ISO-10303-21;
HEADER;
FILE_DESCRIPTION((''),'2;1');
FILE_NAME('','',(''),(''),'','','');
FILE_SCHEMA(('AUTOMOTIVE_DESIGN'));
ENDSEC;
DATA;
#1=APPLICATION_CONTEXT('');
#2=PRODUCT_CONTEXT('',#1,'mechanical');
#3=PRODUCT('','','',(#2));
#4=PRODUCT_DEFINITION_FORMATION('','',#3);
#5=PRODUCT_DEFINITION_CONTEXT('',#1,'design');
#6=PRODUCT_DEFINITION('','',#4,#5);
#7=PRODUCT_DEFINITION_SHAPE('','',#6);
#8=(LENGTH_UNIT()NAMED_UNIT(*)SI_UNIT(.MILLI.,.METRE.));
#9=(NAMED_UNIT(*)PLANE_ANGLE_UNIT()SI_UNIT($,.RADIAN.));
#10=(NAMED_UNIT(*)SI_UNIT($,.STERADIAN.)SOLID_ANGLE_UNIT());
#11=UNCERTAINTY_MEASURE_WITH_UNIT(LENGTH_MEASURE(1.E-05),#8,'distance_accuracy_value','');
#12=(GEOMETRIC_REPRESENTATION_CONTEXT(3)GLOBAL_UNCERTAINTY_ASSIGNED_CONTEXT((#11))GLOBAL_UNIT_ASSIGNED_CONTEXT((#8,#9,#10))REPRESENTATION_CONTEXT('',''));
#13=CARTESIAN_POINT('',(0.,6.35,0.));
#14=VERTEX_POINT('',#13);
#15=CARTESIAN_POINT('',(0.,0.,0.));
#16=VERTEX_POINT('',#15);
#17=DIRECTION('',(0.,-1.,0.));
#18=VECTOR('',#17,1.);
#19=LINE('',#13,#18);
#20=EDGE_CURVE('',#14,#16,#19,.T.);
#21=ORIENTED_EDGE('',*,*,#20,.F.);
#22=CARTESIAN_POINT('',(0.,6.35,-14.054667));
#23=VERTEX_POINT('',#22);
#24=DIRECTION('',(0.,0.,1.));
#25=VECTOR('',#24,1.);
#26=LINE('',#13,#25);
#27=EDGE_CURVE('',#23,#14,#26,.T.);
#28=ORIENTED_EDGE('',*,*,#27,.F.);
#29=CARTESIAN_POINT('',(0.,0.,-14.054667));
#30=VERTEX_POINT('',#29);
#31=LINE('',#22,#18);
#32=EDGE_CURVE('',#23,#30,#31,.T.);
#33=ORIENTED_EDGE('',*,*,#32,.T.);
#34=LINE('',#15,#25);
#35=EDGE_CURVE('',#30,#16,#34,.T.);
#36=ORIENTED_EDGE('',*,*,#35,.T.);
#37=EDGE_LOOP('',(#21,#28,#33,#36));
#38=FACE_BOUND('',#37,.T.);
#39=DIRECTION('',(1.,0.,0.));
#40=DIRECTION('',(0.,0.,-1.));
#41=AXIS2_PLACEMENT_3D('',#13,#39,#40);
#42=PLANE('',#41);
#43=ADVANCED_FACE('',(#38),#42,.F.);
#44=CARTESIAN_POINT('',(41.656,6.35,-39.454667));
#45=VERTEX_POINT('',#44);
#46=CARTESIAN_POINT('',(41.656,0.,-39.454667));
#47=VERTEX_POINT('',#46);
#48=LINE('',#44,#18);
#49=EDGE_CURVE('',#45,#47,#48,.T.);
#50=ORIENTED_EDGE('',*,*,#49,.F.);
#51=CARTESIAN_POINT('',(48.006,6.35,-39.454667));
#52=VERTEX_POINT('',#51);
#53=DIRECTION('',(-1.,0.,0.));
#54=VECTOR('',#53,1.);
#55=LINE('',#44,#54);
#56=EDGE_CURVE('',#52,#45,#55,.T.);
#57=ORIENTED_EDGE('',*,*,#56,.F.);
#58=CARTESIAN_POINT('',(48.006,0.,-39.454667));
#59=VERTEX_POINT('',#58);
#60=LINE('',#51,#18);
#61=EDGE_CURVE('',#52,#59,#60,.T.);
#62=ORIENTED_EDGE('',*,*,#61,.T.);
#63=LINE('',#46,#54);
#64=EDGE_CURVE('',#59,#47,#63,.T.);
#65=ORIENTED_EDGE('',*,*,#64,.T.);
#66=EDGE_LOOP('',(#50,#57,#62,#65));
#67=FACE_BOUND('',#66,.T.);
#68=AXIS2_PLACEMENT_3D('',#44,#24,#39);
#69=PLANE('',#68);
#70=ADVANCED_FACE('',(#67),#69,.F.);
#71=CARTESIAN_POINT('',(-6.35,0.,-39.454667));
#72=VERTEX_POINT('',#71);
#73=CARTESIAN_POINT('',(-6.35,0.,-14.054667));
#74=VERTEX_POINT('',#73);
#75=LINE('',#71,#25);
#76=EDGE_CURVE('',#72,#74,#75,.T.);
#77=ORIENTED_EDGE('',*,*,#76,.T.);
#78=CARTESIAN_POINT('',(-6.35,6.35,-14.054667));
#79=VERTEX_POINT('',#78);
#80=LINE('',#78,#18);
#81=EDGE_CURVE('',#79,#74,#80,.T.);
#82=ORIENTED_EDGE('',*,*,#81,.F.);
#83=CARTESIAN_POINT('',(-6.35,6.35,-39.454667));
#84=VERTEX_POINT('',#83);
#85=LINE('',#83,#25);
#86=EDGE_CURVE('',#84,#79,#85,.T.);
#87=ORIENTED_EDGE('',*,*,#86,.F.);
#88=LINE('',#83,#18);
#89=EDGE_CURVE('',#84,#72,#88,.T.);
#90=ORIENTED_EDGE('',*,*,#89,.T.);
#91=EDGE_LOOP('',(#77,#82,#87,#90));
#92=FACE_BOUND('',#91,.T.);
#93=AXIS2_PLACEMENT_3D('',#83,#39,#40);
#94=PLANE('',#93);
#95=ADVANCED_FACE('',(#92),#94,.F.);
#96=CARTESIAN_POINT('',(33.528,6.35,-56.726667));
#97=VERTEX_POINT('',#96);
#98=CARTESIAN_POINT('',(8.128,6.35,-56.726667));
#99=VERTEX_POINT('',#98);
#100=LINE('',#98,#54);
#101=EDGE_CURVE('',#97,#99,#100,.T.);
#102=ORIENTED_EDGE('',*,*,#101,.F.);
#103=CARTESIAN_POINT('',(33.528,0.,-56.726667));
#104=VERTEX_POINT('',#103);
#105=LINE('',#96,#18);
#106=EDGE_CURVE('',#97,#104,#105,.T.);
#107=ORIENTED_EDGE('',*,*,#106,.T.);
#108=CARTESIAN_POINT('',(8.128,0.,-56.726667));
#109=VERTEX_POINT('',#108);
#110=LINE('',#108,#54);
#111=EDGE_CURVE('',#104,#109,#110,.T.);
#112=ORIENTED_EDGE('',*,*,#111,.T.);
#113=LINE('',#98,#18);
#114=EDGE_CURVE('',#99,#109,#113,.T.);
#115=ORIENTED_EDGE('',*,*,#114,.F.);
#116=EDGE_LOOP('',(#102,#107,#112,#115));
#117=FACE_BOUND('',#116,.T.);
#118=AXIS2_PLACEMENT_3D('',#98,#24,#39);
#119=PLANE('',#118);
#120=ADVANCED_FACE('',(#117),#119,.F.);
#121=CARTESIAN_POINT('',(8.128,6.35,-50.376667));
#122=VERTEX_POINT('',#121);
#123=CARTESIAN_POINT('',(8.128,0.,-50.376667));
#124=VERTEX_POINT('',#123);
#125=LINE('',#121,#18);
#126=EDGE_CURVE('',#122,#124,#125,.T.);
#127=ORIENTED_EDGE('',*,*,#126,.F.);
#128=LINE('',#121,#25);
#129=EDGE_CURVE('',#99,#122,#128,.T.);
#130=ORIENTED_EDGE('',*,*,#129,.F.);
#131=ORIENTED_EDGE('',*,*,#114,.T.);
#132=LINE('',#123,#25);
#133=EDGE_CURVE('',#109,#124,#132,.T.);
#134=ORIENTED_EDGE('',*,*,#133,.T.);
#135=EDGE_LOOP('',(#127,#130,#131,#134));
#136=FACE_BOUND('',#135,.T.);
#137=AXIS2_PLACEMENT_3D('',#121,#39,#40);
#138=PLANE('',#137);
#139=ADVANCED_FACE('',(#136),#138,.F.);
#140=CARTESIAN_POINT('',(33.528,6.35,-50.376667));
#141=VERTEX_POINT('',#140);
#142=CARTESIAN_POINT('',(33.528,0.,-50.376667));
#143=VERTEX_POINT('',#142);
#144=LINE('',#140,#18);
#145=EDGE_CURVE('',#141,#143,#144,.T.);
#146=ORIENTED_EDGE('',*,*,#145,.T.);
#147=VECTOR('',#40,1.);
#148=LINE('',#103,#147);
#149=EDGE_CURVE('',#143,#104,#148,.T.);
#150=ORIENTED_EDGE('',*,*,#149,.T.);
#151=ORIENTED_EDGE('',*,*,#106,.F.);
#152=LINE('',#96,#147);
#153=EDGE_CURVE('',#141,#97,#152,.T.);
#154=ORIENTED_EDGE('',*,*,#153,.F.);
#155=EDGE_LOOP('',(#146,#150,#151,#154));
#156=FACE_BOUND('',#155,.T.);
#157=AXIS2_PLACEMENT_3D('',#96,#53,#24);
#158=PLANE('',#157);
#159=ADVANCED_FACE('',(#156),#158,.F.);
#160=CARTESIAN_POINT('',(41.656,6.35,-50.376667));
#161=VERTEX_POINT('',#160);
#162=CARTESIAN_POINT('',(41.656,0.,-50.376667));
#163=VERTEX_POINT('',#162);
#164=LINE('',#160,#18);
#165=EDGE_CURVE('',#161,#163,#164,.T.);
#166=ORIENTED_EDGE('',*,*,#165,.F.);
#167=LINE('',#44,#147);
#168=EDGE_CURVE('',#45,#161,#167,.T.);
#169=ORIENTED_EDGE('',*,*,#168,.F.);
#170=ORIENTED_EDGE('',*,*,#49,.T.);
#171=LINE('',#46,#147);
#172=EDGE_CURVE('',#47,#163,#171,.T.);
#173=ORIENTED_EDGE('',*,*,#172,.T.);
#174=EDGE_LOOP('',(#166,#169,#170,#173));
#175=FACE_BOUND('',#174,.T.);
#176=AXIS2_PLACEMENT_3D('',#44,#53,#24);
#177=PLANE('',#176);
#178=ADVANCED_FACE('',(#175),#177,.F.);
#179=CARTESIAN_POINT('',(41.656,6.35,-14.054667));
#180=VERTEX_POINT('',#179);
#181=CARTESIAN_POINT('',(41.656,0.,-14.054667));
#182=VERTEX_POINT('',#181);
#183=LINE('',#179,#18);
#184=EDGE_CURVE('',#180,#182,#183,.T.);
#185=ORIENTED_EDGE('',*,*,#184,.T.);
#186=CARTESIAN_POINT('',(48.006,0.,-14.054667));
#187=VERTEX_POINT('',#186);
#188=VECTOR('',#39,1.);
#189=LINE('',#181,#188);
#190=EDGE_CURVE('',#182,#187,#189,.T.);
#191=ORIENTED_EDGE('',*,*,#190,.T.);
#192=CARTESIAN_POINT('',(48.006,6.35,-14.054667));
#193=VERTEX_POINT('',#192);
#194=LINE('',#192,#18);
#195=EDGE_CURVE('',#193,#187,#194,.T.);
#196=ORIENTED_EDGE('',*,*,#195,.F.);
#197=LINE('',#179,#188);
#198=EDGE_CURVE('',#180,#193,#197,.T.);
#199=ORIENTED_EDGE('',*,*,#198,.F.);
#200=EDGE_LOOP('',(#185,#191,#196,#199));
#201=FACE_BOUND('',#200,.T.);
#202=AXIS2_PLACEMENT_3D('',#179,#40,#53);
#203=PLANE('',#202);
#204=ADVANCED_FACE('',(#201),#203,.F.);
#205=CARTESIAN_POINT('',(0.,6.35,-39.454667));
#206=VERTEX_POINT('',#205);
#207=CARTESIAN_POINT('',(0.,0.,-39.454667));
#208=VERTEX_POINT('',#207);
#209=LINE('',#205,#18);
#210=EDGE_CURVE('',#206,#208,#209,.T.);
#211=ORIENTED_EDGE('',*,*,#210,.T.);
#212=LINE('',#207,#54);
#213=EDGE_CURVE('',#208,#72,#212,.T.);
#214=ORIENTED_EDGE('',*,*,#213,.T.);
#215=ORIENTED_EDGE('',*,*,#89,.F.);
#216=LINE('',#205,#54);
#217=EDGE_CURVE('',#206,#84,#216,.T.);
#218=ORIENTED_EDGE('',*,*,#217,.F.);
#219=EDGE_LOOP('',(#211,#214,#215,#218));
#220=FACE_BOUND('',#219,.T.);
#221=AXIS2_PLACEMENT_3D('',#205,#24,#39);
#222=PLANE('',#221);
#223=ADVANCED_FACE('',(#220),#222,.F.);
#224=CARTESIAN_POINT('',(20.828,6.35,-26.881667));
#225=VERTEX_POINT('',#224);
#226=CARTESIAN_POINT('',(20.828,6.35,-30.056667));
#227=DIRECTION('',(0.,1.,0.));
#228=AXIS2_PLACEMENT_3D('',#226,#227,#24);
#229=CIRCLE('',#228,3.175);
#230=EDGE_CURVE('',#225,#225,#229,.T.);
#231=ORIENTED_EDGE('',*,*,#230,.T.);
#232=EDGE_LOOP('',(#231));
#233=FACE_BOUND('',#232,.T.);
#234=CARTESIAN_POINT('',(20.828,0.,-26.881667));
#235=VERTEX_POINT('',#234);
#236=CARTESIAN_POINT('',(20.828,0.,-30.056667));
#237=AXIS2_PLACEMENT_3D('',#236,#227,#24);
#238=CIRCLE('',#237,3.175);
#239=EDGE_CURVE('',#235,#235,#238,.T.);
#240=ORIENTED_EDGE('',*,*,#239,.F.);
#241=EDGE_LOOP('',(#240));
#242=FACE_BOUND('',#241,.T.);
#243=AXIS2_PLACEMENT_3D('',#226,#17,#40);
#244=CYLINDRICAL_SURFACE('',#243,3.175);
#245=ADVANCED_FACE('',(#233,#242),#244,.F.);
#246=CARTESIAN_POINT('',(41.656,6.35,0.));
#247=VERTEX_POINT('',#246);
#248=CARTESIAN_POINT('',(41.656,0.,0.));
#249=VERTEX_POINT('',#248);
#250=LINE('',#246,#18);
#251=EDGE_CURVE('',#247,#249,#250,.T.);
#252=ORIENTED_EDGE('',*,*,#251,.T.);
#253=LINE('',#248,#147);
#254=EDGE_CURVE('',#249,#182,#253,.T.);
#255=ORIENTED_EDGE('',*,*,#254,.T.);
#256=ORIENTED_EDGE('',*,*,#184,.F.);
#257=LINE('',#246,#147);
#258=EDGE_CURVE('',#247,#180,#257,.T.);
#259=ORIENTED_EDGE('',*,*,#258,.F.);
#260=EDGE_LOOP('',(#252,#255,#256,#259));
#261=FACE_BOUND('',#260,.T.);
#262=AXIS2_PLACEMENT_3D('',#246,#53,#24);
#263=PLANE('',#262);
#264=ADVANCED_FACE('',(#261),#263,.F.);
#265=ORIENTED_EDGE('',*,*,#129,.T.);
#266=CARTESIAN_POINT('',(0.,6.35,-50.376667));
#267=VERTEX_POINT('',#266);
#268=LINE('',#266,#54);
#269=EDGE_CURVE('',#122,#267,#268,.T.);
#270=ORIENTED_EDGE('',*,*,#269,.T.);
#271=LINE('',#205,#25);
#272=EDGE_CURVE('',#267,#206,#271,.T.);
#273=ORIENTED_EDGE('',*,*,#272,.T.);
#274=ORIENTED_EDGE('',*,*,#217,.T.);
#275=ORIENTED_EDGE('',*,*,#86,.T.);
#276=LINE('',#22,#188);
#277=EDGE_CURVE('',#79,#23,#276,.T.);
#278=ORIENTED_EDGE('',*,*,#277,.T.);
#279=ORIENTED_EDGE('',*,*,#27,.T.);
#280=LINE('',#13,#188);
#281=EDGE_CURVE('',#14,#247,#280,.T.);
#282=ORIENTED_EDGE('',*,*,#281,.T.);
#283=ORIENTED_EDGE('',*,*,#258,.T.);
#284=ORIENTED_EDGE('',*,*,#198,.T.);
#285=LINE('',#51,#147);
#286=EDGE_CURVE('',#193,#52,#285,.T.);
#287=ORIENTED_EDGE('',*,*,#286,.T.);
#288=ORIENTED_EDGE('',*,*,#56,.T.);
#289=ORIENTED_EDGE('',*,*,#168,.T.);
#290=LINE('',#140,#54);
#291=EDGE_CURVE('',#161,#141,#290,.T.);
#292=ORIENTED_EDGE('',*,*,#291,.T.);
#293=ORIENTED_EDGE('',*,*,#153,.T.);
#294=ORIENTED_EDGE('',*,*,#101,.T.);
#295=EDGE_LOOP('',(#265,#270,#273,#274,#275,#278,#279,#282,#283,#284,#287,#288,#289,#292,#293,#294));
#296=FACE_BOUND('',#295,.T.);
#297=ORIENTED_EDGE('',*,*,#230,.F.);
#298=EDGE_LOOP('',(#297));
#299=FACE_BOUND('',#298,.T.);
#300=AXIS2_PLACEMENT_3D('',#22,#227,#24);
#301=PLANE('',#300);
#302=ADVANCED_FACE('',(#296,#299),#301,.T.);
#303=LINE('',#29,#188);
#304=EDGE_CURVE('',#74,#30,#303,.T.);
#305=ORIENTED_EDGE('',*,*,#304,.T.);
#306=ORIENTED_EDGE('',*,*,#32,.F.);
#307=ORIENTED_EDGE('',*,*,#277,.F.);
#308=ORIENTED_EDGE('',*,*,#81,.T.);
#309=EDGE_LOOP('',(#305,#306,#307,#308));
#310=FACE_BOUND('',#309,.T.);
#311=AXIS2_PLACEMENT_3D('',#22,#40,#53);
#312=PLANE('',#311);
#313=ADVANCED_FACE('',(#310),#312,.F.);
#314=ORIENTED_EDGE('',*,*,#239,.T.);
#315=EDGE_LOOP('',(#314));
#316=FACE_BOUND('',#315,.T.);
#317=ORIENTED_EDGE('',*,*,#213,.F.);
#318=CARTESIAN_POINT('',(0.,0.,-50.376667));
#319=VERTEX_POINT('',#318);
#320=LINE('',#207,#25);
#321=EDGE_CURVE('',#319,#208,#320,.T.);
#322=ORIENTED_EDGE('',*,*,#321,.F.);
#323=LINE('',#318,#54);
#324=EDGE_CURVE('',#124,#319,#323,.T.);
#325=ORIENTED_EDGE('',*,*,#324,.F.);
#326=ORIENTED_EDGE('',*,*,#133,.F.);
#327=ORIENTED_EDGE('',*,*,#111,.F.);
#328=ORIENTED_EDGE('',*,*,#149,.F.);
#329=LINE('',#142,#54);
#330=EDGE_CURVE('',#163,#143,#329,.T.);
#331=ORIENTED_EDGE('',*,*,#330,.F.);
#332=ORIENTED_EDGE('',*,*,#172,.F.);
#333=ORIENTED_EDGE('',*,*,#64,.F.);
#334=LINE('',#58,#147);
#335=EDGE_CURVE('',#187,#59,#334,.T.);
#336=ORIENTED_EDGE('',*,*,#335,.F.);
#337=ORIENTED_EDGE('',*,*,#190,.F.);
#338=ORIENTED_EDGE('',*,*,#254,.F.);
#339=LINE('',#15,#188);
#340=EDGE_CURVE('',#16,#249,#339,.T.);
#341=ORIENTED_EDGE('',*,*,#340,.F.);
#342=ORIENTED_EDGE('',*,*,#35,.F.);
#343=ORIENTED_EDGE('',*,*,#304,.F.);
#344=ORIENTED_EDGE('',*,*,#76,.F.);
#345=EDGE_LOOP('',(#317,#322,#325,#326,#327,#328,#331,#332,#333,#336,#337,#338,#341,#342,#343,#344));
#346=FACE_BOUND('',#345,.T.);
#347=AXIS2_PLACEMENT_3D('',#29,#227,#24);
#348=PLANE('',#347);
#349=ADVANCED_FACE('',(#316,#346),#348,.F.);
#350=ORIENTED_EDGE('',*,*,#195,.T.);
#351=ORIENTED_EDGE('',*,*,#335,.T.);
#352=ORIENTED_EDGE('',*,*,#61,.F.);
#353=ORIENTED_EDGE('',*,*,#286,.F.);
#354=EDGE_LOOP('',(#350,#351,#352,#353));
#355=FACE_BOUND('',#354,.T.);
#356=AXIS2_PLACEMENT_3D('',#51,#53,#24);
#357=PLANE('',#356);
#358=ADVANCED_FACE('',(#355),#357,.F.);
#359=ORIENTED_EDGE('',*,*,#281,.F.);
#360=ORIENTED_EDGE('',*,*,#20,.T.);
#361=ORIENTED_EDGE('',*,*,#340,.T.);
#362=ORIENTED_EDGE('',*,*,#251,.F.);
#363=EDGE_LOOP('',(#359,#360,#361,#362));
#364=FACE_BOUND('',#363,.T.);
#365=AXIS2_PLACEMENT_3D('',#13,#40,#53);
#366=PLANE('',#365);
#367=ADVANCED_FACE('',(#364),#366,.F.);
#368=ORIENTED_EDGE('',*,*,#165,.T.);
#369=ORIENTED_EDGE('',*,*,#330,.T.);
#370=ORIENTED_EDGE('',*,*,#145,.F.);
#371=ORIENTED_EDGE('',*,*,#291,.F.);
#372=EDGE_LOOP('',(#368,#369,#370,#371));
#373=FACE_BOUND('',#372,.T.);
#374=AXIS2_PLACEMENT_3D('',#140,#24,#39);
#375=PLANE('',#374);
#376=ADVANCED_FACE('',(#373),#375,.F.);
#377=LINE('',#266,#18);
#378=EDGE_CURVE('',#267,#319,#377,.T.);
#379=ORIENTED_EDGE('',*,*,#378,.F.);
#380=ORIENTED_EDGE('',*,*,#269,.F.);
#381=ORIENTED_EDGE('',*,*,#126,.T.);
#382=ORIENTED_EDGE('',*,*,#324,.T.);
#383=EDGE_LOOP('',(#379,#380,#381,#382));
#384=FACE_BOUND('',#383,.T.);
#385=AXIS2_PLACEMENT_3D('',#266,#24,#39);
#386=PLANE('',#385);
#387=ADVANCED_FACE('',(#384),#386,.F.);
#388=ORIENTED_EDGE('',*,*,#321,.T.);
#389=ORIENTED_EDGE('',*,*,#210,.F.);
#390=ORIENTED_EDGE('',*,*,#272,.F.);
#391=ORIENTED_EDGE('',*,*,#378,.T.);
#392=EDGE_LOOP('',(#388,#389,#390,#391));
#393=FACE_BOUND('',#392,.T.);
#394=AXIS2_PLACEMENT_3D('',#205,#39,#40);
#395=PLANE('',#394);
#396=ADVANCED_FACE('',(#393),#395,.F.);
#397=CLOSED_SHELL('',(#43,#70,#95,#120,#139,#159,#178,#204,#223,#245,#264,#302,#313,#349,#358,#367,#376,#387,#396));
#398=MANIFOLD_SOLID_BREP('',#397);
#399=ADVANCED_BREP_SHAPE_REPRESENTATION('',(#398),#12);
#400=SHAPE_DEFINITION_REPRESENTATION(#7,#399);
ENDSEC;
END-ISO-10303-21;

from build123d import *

# Parameters (mm, degrees)
SKETCH1_R      = 3.175
EXTRUDE1_DEPTH = 6.35


with BuildPart() as part:
    # Sketch1 → Extrude1 (new body)
    with BuildSketch(Plane(origin=(0, 0, 0), x_dir=(1, 0, 0), z_dir=(0, 1, 0))):
        Polygon((8.128, 50.376666667), (8.128, 56.726666667), (33.528, 56.726666667), (33.528, 50.376666667), (41.656, 50.376666667), (41.656, 39.454666667), (48.006, 39.454666667), (48.006, 14.054666667), (41.656, 14.054666667), (41.656, 0), (0, 0), (0, 14.054666667), (-6.35, 14.054666667), (-6.35, 39.454666667), (0, 39.454666667), (0, 50.376666667), align=None)
        with Locations(Location((20.828, 30.056666667, 0), (0, 0, 270))):
            Circle(SKETCH1_R, mode=Mode.SUBTRACT)
    extrude(amount=EXTRUDE1_DEPTH)


solid = part.part
